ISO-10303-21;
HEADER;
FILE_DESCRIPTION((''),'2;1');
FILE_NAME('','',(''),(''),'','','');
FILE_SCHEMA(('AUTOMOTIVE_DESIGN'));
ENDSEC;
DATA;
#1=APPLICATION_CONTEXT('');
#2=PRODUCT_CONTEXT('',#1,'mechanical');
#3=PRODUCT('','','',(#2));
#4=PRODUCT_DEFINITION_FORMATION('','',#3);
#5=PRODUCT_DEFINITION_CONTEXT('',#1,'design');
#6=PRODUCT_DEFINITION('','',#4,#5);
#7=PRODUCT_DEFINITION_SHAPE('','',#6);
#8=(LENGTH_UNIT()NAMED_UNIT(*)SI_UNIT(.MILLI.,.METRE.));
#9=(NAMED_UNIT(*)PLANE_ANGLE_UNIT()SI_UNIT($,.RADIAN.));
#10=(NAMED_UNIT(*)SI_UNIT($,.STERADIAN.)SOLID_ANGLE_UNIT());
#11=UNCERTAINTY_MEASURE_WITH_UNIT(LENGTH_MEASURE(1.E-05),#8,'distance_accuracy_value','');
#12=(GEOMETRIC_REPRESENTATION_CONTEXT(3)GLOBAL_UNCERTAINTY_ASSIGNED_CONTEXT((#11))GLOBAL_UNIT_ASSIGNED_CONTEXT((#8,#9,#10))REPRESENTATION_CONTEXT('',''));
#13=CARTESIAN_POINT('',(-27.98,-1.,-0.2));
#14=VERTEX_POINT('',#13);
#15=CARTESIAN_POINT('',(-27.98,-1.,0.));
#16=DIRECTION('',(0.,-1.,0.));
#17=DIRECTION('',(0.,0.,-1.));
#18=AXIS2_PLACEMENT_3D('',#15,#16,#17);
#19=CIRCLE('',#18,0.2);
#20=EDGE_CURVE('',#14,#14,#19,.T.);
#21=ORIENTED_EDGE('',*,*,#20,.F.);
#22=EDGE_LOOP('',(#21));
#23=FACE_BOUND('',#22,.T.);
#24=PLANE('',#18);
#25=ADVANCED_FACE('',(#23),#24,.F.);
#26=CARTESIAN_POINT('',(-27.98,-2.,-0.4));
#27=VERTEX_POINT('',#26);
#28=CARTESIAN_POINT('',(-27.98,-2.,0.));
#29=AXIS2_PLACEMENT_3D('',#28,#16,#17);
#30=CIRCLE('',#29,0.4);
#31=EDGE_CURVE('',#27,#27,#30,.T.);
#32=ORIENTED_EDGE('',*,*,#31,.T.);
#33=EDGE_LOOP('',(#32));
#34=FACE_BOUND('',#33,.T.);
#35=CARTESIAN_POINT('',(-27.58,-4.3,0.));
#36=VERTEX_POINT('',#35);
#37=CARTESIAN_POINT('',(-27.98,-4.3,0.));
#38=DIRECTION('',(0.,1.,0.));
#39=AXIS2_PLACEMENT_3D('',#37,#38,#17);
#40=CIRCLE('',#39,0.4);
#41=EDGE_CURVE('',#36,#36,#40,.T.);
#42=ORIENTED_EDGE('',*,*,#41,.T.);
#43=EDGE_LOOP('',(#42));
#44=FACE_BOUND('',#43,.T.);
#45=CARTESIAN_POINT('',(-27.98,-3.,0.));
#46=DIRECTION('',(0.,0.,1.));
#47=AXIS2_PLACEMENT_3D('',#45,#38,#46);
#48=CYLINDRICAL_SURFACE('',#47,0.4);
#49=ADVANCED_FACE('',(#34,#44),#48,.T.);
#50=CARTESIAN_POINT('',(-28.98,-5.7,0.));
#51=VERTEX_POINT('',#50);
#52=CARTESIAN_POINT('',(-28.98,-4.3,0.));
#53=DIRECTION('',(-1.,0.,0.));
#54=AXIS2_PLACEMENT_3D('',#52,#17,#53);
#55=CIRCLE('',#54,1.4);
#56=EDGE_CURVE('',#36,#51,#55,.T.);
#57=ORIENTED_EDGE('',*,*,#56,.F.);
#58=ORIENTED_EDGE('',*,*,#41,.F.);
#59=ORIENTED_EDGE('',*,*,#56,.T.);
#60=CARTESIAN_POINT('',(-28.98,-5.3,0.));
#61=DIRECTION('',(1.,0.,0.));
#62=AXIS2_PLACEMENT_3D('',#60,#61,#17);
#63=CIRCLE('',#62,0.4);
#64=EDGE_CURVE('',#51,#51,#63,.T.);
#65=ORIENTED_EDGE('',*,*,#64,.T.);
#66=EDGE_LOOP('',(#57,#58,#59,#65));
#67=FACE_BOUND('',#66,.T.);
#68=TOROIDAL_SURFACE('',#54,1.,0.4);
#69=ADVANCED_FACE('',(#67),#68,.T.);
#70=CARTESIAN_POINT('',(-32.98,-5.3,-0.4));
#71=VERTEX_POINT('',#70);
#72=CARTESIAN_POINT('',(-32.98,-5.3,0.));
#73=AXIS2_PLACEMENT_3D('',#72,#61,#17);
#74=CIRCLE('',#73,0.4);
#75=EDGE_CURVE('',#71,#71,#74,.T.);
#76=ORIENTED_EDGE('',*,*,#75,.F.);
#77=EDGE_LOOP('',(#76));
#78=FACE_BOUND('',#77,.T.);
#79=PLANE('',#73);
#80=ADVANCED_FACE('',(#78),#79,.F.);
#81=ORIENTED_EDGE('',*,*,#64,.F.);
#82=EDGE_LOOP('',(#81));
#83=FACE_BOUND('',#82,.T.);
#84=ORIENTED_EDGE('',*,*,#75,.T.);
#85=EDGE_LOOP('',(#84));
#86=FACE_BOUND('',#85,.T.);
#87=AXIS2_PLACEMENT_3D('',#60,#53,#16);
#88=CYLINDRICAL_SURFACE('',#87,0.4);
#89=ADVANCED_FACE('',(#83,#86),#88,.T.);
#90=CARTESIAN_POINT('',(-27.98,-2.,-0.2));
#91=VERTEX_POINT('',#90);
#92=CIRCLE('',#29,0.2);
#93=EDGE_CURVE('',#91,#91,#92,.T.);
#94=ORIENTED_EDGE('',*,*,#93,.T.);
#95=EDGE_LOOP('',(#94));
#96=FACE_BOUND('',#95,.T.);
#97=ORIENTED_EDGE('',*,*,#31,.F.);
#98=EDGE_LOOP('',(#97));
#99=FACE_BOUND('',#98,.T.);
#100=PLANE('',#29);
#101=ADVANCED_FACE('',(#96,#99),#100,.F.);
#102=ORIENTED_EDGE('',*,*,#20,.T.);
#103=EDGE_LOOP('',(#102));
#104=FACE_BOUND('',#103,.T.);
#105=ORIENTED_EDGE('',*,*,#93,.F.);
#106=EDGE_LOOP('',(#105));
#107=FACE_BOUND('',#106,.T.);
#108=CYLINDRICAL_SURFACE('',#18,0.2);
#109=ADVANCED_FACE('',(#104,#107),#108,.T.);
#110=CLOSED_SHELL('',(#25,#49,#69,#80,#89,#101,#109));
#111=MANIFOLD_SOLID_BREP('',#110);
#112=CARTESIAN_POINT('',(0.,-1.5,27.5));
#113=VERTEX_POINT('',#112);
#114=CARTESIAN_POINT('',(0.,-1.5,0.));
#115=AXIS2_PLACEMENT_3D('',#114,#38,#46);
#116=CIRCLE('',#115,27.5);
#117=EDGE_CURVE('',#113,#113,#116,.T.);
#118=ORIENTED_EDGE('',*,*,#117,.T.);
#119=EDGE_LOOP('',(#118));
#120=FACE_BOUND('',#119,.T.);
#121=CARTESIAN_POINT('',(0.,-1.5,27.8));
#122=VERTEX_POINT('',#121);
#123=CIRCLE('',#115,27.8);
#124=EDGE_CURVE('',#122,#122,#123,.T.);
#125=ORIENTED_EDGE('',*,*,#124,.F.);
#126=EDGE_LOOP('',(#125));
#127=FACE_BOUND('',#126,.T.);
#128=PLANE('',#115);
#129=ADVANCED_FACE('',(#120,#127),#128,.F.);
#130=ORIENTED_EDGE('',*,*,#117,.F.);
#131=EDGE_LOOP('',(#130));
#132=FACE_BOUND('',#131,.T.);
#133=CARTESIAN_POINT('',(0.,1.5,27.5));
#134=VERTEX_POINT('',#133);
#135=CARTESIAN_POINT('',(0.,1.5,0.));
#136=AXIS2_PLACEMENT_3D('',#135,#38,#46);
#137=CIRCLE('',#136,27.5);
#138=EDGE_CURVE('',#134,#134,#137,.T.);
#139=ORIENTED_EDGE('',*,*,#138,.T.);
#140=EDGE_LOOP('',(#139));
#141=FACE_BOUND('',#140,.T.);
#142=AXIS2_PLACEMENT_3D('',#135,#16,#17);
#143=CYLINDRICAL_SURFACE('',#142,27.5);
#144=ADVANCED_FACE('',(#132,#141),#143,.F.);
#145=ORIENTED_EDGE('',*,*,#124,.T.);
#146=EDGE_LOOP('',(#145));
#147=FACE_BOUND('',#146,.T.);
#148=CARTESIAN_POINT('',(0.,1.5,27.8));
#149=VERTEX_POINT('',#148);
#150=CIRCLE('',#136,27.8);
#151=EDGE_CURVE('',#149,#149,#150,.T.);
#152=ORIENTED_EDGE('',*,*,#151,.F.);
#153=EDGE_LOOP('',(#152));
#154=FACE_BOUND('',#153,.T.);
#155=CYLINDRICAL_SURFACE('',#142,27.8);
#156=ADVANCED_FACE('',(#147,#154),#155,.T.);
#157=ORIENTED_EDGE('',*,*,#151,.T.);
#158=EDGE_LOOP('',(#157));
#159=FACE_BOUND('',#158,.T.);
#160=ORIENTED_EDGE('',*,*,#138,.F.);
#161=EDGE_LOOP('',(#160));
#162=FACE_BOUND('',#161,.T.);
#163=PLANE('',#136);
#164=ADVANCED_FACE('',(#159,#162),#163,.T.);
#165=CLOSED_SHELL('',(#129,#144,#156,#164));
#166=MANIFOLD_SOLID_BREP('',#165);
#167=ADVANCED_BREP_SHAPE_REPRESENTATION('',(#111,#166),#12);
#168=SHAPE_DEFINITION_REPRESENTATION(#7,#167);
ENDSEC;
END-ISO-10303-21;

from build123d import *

# Parameters (mm, degrees)
SKETCH1_R           = 27.8
SKETCH1_R_2         = 27.5
BOSS_EXTRUDE1_DEPTH = 1.5
SWEEP1_PROFILE_R    = 0.2
SKETCH33_R          = 0.4
BOSS_EXTRUDE2_DEPTH = 1
SWEEP2_PROFILE_R    = 0.4


with BuildPart() as part:
    # Sketch1 → Boss-Extrude1 (new, symmetric)
    with BuildSketch(Plane(origin=(0, 0, 0), x_dir=(1, 0, 0), z_dir=(0, 1, 0))):
        with Locations(Location((0, 0, 0), (0, 0, 270))):
            Circle(SKETCH1_R)
        with Locations(Location((0, 0, 0), (0, 0, 270))):
            Circle(SKETCH1_R_2, mode=Mode.SUBTRACT)
    extrude(amount=BOSS_EXTRUDE1_DEPTH, both=True)


with BuildPart() as body_2:
    # Sweep1: sweep along a path in Sketch2
    with BuildLine(Plane.XY) as sweep1_path:
        Line((-27.98, -1), (-27.98, -2))
    # Sweep1 profile (on start of the path) → Sweep1 (sweep)
    with BuildSketch(Plane(origin=(-27.98, -1, 0), x_dir=(0, 0, -1), z_dir=(0, -1, 0))):
        Circle(SWEEP1_PROFILE_R)
    sweep(path=sweep1_path.line)

    # Sketch33 → Boss-Extrude2 (add)
    with BuildSketch(Plane.XZ.offset(2)):
        with Locations(Location((-27.98, 0, 0), (0, 0, 270))):
            Circle(SKETCH33_R)
    extrude(amount=BOSS_EXTRUDE2_DEPTH)

    # Sweep2: sweep along a path in Sketch34
    with BuildLine(Plane.XY) as sweep2_path:
        Line((-27.98, -2), (-27.98, -4.3))
        ThreePointArc((-27.98, -4.3), (-28.272893219, -5.007106781), (-28.98, -5.3))
        Line((-28.98, -5.3), (-32.98, -5.3))
    # Sweep2 profile (on start of the path) → Sweep2 (sweep)
    with BuildSketch(Plane(origin=(-27.98, -2, 0), x_dir=(0, 0, -1), z_dir=(0, -1, 0))):
        Circle(SWEEP2_PROFILE_R)
    sweep(path=sweep2_path.line)


solid = Compound([part.part, body_2.part])
